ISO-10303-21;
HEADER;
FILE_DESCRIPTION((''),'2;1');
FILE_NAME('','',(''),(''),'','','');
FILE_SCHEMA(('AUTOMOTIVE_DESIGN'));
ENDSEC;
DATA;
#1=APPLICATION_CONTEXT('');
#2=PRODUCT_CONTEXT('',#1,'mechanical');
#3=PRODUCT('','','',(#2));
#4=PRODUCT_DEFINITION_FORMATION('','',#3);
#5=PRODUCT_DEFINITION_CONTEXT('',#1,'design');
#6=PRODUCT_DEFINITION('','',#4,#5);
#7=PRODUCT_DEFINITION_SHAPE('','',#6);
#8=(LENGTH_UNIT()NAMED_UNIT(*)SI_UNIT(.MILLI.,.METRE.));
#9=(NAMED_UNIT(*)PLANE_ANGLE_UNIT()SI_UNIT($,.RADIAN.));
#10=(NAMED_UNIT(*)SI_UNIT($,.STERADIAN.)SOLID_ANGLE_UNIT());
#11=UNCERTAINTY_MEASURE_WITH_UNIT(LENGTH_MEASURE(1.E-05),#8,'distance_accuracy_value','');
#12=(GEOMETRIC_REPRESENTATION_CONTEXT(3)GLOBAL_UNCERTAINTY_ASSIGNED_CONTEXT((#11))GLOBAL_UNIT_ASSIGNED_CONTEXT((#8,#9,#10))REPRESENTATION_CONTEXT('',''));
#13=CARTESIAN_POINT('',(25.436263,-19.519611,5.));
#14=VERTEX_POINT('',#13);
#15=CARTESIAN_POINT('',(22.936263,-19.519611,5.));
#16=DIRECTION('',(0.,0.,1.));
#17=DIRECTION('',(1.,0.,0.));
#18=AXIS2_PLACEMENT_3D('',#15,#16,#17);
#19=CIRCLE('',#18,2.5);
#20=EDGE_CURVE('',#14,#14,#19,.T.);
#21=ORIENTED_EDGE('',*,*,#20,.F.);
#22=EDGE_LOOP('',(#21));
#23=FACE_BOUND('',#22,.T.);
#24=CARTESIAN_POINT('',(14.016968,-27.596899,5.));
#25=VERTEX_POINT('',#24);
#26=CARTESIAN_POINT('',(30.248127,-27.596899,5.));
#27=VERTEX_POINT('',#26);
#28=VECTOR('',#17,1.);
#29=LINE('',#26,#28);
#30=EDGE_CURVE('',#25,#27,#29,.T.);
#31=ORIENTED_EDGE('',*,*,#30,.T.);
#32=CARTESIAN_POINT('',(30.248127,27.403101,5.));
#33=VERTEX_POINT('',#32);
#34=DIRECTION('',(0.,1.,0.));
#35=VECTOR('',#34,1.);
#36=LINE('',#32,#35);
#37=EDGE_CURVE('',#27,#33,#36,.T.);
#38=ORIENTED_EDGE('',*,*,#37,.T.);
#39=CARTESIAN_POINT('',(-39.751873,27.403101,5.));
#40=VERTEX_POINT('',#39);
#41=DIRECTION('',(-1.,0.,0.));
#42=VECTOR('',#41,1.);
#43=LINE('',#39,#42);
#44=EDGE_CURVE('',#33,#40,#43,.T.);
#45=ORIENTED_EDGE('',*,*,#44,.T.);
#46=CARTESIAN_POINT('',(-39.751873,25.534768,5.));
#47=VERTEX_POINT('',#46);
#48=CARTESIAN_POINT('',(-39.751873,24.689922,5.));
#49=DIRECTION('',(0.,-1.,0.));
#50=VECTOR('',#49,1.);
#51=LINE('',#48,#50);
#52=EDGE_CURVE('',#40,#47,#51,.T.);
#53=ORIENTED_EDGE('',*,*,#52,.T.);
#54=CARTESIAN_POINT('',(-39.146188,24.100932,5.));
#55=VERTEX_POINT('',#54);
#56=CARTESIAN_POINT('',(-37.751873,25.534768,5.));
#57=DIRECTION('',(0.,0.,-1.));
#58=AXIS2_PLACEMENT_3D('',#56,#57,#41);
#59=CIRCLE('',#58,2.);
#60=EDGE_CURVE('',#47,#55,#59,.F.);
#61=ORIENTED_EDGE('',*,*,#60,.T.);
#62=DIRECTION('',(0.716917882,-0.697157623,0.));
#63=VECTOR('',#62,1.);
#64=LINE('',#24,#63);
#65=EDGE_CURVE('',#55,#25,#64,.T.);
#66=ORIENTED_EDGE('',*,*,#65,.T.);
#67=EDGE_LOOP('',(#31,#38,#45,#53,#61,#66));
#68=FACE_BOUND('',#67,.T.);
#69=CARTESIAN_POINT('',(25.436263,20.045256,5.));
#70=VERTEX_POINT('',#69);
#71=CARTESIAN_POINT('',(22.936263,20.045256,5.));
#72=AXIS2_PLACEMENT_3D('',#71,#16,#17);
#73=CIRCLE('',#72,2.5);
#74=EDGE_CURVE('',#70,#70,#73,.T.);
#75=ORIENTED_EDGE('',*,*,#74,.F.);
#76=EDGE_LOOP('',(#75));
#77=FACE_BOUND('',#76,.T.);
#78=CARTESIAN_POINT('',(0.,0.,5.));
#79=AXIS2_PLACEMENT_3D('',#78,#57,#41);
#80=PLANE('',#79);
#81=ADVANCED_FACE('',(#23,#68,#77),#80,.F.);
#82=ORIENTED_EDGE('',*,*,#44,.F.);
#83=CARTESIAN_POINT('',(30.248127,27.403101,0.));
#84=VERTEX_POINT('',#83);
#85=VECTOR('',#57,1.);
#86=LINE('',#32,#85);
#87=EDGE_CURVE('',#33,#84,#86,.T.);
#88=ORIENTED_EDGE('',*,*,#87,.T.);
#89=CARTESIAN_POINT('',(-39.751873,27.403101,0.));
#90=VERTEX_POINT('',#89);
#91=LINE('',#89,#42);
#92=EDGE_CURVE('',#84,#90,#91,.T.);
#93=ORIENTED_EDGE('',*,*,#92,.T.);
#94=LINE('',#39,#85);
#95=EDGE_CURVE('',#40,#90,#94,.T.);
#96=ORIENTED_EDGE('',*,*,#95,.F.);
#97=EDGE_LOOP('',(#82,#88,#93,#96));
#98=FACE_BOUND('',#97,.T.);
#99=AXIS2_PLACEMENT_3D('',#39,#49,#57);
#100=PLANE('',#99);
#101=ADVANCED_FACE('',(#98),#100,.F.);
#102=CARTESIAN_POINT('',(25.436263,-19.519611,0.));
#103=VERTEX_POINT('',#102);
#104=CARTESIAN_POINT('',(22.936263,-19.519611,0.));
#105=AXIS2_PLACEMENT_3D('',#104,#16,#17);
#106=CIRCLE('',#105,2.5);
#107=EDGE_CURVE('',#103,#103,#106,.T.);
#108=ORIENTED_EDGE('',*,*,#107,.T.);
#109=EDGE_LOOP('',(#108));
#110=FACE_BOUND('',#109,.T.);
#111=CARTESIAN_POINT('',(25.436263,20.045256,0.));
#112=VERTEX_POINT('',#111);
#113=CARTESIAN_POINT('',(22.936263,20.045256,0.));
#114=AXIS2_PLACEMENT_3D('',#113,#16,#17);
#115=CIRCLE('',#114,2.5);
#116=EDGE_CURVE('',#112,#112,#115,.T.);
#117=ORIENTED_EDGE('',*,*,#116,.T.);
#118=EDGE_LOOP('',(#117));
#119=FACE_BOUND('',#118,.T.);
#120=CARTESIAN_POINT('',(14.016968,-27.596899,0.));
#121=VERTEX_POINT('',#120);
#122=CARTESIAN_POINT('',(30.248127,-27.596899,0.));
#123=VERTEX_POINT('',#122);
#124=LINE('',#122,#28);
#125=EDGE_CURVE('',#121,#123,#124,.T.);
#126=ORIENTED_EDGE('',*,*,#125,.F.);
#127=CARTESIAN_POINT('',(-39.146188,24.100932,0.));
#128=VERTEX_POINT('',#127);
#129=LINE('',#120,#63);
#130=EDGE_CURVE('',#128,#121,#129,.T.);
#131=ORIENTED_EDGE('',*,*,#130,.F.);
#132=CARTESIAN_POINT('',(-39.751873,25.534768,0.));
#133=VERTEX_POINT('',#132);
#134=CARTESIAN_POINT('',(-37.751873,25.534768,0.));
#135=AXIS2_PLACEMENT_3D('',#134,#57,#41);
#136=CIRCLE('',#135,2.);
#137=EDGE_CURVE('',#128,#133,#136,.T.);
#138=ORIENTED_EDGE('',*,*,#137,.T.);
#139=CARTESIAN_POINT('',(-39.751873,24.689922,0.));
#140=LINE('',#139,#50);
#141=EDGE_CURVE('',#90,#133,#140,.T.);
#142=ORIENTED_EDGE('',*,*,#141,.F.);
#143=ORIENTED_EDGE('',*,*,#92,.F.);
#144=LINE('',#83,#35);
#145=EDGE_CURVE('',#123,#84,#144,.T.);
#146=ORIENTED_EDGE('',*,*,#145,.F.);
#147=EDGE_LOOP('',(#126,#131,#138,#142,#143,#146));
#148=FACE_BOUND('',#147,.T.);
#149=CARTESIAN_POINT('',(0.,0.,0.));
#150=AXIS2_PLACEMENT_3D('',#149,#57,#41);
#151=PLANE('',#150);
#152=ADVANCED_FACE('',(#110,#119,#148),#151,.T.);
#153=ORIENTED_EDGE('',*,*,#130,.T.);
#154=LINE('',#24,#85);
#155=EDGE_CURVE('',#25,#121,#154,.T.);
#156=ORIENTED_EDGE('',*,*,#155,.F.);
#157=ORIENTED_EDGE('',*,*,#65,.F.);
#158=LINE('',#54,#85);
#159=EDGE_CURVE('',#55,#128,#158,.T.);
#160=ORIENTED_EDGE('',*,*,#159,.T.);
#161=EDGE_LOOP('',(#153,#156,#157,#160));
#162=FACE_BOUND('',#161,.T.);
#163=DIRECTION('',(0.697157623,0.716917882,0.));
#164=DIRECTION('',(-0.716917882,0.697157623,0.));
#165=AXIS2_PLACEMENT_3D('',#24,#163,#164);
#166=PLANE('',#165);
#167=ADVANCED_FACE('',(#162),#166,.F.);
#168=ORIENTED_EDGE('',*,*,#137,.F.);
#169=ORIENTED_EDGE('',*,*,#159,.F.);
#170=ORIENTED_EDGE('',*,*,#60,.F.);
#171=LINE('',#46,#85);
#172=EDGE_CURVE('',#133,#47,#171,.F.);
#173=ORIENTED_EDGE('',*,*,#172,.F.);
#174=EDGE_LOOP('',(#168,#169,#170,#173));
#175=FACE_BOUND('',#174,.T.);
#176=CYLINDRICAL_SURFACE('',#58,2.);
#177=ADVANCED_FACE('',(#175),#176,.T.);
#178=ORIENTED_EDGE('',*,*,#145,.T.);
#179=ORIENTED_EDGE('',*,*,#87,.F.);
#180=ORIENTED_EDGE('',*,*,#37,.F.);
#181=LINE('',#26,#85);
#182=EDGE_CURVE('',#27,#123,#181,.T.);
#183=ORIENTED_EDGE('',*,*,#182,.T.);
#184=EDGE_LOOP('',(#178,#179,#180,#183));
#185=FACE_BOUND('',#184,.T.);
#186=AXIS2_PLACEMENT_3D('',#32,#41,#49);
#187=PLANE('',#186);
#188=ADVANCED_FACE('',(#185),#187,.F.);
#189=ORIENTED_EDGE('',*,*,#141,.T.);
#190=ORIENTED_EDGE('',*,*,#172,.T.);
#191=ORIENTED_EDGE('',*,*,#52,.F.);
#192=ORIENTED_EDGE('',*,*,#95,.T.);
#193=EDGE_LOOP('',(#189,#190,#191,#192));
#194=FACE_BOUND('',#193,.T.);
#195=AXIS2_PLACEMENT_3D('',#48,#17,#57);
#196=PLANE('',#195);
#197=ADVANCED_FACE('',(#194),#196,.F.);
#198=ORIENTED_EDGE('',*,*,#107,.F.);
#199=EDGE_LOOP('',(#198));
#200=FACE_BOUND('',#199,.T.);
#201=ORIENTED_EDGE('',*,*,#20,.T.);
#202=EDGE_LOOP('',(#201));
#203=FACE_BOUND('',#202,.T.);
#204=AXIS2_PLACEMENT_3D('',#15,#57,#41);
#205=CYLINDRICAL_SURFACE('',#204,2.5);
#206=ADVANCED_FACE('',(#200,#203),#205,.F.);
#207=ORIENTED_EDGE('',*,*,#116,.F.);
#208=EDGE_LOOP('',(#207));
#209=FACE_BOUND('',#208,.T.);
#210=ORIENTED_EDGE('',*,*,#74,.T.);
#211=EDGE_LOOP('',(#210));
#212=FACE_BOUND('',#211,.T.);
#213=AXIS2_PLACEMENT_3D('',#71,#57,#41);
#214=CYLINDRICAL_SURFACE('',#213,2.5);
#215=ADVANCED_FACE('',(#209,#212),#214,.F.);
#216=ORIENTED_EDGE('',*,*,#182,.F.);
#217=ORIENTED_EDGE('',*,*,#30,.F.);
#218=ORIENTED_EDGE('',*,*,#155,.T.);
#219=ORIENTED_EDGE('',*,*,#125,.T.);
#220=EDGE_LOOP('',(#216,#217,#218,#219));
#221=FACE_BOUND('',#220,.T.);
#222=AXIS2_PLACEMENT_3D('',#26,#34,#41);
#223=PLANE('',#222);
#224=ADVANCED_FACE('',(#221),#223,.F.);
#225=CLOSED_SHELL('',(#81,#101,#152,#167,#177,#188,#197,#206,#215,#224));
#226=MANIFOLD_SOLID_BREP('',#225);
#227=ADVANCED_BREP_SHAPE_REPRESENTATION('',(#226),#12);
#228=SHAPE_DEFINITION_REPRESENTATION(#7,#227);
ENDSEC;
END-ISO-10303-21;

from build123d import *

# Parameters (mm, degrees)
ESQUISSE1_R        = 2.5
BOSS_EXTRU_2_DEPTH = 5
CONG_2_R           = 2


with BuildPart() as part:
    # Esquisse1 → Boss.-Extru.2 (new body)
    with BuildSketch(Plane.XY):
        Polygon((-39.751873238, 27.403100775), (30.248126762, 27.403100775), (30.248126762, -27.596899225), (14.016967887, -27.596899225), (-39.751873238, 24.689922481), align=None)
        with Locations((22.936263184, 20.04525616)):
            Circle(ESQUISSE1_R, mode=Mode.SUBTRACT)
        with Locations((22.936263184, -19.519610844)):
            Circle(ESQUISSE1_R, mode=Mode.SUBTRACT)
    extrude(amount=BOSS_EXTRU_2_DEPTH)

    # Congé2
    cong_2_edges = [part.edges().sort_by_distance(p)[0] for p in [
        (-39.751873238, 24.689922481, 2.5),
    ]]
    fillet(cong_2_edges, radius=CONG_2_R)


solid = part.part
